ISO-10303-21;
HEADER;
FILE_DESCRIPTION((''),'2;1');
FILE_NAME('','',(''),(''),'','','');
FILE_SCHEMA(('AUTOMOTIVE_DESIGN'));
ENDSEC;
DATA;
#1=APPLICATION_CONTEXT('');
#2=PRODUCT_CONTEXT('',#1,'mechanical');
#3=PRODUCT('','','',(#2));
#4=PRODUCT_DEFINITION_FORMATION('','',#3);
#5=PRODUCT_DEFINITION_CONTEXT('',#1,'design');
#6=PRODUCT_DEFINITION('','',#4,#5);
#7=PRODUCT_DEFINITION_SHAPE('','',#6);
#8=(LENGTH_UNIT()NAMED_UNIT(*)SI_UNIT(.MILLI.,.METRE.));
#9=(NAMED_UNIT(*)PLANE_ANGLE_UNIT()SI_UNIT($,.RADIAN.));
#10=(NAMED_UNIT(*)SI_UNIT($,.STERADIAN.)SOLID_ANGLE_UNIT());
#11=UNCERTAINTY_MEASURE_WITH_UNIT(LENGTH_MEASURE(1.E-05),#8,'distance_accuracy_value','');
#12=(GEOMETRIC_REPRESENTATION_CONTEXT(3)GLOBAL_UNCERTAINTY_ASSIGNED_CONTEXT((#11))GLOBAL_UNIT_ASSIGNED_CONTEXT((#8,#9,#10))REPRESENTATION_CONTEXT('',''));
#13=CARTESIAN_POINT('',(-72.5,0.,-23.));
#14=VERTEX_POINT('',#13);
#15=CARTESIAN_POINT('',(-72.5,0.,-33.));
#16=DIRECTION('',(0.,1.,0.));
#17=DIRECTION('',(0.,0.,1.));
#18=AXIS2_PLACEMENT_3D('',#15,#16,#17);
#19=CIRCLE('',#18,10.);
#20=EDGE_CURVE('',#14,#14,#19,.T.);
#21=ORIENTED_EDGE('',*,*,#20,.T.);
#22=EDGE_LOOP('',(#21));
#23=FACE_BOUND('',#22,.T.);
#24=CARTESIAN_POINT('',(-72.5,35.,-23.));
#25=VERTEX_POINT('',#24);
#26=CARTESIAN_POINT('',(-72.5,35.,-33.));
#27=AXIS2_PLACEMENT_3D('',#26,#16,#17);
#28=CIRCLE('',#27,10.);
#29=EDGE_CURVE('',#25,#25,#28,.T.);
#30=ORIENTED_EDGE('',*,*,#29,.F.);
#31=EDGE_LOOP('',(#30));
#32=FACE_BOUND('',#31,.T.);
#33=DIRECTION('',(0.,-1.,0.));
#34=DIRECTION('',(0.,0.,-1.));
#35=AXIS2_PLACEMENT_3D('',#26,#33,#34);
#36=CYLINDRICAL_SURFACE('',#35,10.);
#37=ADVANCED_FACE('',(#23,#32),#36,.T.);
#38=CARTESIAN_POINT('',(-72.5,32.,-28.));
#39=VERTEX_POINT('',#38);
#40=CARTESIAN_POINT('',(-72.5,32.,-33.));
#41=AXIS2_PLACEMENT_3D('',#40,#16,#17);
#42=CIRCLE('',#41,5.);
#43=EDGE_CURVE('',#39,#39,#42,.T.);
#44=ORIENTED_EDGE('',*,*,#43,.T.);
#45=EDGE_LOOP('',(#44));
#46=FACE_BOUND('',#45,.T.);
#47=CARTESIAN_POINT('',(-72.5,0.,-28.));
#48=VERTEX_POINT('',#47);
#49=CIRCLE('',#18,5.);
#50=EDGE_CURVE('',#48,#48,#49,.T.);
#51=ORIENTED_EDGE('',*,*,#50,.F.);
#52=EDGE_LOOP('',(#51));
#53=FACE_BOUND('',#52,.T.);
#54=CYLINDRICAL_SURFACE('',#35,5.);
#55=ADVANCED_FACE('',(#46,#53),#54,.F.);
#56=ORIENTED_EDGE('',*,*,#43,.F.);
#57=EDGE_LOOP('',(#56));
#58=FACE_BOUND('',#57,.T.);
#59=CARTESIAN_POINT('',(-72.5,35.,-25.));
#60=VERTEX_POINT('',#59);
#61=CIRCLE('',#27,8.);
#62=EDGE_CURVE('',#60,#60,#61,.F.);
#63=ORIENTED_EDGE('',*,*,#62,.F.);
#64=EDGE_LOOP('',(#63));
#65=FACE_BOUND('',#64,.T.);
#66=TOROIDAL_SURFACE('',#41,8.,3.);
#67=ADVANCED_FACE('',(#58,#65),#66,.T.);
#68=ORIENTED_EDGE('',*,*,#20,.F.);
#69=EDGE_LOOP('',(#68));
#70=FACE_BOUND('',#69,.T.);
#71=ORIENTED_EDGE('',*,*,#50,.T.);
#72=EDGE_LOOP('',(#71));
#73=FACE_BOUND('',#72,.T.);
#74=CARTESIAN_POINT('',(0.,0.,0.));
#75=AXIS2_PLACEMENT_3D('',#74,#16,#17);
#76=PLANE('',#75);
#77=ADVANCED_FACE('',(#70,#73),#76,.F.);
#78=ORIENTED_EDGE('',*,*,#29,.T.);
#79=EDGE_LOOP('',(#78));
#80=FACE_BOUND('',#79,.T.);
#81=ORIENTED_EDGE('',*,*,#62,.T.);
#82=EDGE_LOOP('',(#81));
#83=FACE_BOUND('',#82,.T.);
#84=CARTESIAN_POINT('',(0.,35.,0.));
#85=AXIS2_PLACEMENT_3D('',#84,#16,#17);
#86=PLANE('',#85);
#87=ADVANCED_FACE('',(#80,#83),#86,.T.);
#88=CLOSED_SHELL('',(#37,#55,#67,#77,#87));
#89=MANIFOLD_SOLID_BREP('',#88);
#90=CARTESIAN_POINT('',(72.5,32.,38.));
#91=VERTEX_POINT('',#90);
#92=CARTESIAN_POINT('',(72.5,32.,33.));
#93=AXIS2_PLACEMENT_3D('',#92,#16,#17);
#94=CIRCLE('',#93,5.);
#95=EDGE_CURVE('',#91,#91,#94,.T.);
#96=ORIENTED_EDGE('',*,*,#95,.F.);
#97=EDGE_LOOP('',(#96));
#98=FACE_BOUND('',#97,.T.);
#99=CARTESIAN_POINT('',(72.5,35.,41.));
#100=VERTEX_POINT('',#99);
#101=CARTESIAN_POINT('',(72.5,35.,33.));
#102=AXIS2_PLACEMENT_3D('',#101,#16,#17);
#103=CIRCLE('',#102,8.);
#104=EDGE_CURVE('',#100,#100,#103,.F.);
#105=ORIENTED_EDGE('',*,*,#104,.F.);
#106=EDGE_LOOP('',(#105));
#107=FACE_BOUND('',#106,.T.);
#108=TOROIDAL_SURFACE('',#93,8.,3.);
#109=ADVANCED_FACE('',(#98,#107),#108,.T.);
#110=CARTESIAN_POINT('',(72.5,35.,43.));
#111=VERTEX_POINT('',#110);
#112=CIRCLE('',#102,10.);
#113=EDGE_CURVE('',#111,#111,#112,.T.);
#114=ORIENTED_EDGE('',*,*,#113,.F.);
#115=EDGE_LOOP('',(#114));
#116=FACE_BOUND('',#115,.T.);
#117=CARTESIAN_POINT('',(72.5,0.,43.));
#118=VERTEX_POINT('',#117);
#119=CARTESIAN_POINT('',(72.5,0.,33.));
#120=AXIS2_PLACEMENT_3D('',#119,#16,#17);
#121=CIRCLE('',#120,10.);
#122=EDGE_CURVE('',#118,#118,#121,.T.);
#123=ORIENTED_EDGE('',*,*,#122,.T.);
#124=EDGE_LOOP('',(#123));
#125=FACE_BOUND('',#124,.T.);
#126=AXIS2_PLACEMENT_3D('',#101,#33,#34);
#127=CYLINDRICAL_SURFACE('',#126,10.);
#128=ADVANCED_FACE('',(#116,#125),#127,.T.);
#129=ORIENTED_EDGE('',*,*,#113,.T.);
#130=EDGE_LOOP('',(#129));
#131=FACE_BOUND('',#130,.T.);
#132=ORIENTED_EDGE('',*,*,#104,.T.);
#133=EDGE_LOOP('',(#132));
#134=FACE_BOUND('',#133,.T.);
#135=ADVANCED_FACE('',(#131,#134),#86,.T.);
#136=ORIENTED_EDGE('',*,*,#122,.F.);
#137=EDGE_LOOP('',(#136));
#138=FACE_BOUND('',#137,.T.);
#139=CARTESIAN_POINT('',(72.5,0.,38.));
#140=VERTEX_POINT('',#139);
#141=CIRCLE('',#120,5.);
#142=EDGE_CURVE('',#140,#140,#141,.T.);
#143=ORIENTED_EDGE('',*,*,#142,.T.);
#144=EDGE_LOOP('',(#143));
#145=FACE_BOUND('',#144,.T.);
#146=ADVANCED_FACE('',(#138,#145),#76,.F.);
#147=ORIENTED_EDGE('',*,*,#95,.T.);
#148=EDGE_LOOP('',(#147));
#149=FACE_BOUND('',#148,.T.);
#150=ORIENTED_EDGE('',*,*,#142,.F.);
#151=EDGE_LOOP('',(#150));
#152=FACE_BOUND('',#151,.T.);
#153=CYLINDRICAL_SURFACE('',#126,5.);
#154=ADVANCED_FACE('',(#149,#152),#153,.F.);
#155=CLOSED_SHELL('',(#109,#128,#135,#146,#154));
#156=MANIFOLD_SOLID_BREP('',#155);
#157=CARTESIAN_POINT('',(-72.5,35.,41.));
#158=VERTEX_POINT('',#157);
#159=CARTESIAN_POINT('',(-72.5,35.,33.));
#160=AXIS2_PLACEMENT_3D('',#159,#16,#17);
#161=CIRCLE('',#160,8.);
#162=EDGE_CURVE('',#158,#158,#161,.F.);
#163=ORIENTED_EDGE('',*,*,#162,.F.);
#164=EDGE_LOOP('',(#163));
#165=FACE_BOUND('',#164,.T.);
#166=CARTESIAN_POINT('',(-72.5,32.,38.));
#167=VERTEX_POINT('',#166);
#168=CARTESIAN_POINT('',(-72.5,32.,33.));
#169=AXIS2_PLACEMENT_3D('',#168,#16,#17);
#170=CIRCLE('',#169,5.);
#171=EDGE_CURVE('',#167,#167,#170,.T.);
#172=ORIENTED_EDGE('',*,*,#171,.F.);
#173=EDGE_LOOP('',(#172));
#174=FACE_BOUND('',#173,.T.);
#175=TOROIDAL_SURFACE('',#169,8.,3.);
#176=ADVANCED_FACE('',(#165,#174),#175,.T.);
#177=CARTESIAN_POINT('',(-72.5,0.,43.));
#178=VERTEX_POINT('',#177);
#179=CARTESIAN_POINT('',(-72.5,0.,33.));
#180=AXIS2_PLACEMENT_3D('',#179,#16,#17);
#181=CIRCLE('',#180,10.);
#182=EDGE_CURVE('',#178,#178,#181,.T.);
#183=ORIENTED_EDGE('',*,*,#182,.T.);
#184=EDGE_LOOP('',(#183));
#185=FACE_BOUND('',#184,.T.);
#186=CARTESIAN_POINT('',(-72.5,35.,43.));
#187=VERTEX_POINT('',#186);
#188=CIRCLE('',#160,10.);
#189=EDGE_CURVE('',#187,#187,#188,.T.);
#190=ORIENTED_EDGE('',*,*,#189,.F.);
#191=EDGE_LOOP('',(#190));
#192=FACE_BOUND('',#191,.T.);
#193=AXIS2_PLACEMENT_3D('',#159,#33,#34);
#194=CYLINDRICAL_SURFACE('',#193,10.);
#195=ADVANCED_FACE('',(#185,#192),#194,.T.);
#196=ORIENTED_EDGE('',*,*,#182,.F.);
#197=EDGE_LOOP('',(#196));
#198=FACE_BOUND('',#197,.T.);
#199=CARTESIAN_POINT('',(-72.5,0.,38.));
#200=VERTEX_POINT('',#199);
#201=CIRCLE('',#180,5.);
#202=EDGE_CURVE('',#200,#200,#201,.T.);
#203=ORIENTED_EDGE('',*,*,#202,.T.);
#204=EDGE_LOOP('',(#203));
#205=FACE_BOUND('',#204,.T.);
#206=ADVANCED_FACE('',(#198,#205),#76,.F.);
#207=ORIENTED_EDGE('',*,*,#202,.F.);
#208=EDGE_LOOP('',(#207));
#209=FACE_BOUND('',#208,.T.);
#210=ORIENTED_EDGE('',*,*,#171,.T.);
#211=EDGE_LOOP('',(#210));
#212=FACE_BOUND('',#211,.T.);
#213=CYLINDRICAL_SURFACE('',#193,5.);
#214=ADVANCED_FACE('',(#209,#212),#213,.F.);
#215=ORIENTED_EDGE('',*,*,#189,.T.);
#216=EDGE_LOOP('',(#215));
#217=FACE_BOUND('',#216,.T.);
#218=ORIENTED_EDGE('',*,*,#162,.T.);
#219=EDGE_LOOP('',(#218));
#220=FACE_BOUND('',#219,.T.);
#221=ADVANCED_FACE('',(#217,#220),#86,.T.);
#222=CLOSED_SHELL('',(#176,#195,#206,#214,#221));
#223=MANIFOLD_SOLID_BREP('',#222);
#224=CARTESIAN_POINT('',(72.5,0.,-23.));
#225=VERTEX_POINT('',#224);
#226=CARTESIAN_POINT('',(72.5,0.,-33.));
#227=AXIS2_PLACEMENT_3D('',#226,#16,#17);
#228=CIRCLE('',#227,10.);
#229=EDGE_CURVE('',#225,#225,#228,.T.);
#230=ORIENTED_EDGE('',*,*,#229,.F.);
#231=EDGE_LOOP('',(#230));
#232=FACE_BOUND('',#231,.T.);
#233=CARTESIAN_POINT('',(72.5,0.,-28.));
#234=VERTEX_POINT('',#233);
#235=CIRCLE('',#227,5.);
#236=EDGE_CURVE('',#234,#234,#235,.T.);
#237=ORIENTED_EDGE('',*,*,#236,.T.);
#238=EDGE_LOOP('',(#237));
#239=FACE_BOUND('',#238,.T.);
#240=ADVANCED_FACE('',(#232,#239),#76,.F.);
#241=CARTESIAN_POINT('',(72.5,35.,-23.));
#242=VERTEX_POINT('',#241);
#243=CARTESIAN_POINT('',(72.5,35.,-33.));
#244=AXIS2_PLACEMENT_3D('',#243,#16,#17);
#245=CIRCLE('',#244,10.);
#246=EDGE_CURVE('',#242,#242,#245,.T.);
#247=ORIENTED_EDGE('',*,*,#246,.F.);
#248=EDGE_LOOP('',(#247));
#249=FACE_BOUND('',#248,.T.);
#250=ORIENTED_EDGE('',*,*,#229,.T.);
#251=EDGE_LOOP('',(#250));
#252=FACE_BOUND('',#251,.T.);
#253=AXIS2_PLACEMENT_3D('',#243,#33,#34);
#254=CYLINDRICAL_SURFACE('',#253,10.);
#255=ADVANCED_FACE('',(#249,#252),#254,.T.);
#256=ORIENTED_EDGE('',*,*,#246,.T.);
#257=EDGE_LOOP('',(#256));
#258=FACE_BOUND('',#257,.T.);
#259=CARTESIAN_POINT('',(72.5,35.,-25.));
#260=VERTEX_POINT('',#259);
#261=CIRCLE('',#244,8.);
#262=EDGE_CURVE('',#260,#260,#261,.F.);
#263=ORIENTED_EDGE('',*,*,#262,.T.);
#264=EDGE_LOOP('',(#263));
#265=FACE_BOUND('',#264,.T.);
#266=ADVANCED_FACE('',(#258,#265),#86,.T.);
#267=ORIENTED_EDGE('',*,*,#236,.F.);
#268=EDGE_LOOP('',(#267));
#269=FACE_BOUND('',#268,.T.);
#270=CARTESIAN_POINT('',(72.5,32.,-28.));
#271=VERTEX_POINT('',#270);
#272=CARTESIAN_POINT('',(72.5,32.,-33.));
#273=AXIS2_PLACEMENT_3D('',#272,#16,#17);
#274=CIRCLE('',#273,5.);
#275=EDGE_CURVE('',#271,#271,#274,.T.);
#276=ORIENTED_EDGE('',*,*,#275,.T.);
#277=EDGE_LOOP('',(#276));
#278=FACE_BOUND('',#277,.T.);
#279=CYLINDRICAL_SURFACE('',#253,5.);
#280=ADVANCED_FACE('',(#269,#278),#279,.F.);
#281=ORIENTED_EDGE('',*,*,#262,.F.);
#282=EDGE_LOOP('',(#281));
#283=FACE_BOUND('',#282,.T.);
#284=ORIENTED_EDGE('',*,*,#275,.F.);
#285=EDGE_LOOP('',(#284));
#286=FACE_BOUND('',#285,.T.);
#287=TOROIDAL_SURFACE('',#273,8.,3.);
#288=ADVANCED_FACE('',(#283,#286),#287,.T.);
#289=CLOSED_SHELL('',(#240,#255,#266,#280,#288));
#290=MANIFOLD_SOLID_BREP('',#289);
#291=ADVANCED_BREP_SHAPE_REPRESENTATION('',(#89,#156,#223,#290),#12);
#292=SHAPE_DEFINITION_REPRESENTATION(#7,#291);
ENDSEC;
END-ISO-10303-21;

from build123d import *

# Parameters (mm, degrees)
SKETCH1_R             = 10
SKETCH1_R_2           = 5
BOSS_EXTRUDE1_DEPTH   = 35
BOSS_EXTRUDE1_2_DEPTH = 35
BOSS_EXTRUDE1_3_DEPTH = 35
BOSS_EXTRUDE1_4_DEPTH = 35
FILLET2_R             = 3
FILLET3_R             = 3
FILLET4_R             = 3
FILLET5_R             = 3


with BuildPart() as part:
    # Sketch1 → Boss-Extrude1 (new body)
    with BuildSketch(Plane(origin=(0, 0, 0), x_dir=(1, 0, 0), z_dir=(0, 1, 0))):
        with Locations(Location((-72.5, -33, 0), (0, 0, 270))):
            Circle(SKETCH1_R)
        with Locations(Location((-72.5, -33, 0), (0, 0, 270))):
            Circle(SKETCH1_R_2, mode=Mode.SUBTRACT)
    extrude(amount=BOSS_EXTRUDE1_DEPTH)

    # Fillet4
    fillet4_edges = [part.edges().sort_by_distance(p)[0] for p in [
        (-72.5, 35, 28),
    ]]
    fillet(fillet4_edges, radius=FILLET4_R)


with BuildPart() as body_2:
    # Sketch1 → Boss-Extrude1 2 (new body)
    with BuildSketch(Plane(origin=(0, 0, 0), x_dir=(1, 0, 0), z_dir=(0, 1, 0))):
        with Locations(Location((-72.5, 33, 0), (0, 0, 270))):
            Circle(SKETCH1_R)
        with Locations(Location((-72.5, 33, 0), (0, 0, 270))):
            Circle(SKETCH1_R_2, mode=Mode.SUBTRACT)
    extrude(amount=BOSS_EXTRUDE1_2_DEPTH)

    # Fillet3
    fillet3_edges = [body_2.edges().sort_by_distance(p)[0] for p in [
        (-72.5, 35, -38),
    ]]
    fillet(fillet3_edges, radius=FILLET3_R)


with BuildPart() as body_3:
    # Sketch1 → Boss-Extrude1 3 (new body)
    with BuildSketch(Plane(origin=(0, 0, 0), x_dir=(1, 0, 0), z_dir=(0, 1, 0))):
        with Locations(Location((72.5, -33, 0), (0, 0, 270))):
            Circle(SKETCH1_R)
        with Locations(Location((72.5, -33, 0), (0, 0, 270))):
            Circle(SKETCH1_R_2, mode=Mode.SUBTRACT)
    extrude(amount=BOSS_EXTRUDE1_3_DEPTH)

    # Fillet5
    fillet5_edges = [body_3.edges().sort_by_distance(p)[0] for p in [
        (72.5, 35, 28),
    ]]
    fillet(fillet5_edges, radius=FILLET5_R)


with BuildPart() as body_4:
    # Sketch1 → Boss-Extrude1 4 (new body)
    with BuildSketch(Plane(origin=(0, 0, 0), x_dir=(1, 0, 0), z_dir=(0, 1, 0))):
        with Locations(Location((72.5, 33, 0), (0, 0, 270))):
            Circle(SKETCH1_R)
        with Locations(Location((72.5, 33, 0), (0, 0, 270))):
            Circle(SKETCH1_R_2, mode=Mode.SUBTRACT)
    extrude(amount=BOSS_EXTRUDE1_4_DEPTH)

    # Fillet2
    fillet2_edges = [body_4.edges().sort_by_distance(p)[0] for p in [
        (72.5, 35, -38),
    ]]
    fillet(fillet2_edges, radius=FILLET2_R)


solid = Compound([part.part, body_2.part, body_3.part, body_4.part])
